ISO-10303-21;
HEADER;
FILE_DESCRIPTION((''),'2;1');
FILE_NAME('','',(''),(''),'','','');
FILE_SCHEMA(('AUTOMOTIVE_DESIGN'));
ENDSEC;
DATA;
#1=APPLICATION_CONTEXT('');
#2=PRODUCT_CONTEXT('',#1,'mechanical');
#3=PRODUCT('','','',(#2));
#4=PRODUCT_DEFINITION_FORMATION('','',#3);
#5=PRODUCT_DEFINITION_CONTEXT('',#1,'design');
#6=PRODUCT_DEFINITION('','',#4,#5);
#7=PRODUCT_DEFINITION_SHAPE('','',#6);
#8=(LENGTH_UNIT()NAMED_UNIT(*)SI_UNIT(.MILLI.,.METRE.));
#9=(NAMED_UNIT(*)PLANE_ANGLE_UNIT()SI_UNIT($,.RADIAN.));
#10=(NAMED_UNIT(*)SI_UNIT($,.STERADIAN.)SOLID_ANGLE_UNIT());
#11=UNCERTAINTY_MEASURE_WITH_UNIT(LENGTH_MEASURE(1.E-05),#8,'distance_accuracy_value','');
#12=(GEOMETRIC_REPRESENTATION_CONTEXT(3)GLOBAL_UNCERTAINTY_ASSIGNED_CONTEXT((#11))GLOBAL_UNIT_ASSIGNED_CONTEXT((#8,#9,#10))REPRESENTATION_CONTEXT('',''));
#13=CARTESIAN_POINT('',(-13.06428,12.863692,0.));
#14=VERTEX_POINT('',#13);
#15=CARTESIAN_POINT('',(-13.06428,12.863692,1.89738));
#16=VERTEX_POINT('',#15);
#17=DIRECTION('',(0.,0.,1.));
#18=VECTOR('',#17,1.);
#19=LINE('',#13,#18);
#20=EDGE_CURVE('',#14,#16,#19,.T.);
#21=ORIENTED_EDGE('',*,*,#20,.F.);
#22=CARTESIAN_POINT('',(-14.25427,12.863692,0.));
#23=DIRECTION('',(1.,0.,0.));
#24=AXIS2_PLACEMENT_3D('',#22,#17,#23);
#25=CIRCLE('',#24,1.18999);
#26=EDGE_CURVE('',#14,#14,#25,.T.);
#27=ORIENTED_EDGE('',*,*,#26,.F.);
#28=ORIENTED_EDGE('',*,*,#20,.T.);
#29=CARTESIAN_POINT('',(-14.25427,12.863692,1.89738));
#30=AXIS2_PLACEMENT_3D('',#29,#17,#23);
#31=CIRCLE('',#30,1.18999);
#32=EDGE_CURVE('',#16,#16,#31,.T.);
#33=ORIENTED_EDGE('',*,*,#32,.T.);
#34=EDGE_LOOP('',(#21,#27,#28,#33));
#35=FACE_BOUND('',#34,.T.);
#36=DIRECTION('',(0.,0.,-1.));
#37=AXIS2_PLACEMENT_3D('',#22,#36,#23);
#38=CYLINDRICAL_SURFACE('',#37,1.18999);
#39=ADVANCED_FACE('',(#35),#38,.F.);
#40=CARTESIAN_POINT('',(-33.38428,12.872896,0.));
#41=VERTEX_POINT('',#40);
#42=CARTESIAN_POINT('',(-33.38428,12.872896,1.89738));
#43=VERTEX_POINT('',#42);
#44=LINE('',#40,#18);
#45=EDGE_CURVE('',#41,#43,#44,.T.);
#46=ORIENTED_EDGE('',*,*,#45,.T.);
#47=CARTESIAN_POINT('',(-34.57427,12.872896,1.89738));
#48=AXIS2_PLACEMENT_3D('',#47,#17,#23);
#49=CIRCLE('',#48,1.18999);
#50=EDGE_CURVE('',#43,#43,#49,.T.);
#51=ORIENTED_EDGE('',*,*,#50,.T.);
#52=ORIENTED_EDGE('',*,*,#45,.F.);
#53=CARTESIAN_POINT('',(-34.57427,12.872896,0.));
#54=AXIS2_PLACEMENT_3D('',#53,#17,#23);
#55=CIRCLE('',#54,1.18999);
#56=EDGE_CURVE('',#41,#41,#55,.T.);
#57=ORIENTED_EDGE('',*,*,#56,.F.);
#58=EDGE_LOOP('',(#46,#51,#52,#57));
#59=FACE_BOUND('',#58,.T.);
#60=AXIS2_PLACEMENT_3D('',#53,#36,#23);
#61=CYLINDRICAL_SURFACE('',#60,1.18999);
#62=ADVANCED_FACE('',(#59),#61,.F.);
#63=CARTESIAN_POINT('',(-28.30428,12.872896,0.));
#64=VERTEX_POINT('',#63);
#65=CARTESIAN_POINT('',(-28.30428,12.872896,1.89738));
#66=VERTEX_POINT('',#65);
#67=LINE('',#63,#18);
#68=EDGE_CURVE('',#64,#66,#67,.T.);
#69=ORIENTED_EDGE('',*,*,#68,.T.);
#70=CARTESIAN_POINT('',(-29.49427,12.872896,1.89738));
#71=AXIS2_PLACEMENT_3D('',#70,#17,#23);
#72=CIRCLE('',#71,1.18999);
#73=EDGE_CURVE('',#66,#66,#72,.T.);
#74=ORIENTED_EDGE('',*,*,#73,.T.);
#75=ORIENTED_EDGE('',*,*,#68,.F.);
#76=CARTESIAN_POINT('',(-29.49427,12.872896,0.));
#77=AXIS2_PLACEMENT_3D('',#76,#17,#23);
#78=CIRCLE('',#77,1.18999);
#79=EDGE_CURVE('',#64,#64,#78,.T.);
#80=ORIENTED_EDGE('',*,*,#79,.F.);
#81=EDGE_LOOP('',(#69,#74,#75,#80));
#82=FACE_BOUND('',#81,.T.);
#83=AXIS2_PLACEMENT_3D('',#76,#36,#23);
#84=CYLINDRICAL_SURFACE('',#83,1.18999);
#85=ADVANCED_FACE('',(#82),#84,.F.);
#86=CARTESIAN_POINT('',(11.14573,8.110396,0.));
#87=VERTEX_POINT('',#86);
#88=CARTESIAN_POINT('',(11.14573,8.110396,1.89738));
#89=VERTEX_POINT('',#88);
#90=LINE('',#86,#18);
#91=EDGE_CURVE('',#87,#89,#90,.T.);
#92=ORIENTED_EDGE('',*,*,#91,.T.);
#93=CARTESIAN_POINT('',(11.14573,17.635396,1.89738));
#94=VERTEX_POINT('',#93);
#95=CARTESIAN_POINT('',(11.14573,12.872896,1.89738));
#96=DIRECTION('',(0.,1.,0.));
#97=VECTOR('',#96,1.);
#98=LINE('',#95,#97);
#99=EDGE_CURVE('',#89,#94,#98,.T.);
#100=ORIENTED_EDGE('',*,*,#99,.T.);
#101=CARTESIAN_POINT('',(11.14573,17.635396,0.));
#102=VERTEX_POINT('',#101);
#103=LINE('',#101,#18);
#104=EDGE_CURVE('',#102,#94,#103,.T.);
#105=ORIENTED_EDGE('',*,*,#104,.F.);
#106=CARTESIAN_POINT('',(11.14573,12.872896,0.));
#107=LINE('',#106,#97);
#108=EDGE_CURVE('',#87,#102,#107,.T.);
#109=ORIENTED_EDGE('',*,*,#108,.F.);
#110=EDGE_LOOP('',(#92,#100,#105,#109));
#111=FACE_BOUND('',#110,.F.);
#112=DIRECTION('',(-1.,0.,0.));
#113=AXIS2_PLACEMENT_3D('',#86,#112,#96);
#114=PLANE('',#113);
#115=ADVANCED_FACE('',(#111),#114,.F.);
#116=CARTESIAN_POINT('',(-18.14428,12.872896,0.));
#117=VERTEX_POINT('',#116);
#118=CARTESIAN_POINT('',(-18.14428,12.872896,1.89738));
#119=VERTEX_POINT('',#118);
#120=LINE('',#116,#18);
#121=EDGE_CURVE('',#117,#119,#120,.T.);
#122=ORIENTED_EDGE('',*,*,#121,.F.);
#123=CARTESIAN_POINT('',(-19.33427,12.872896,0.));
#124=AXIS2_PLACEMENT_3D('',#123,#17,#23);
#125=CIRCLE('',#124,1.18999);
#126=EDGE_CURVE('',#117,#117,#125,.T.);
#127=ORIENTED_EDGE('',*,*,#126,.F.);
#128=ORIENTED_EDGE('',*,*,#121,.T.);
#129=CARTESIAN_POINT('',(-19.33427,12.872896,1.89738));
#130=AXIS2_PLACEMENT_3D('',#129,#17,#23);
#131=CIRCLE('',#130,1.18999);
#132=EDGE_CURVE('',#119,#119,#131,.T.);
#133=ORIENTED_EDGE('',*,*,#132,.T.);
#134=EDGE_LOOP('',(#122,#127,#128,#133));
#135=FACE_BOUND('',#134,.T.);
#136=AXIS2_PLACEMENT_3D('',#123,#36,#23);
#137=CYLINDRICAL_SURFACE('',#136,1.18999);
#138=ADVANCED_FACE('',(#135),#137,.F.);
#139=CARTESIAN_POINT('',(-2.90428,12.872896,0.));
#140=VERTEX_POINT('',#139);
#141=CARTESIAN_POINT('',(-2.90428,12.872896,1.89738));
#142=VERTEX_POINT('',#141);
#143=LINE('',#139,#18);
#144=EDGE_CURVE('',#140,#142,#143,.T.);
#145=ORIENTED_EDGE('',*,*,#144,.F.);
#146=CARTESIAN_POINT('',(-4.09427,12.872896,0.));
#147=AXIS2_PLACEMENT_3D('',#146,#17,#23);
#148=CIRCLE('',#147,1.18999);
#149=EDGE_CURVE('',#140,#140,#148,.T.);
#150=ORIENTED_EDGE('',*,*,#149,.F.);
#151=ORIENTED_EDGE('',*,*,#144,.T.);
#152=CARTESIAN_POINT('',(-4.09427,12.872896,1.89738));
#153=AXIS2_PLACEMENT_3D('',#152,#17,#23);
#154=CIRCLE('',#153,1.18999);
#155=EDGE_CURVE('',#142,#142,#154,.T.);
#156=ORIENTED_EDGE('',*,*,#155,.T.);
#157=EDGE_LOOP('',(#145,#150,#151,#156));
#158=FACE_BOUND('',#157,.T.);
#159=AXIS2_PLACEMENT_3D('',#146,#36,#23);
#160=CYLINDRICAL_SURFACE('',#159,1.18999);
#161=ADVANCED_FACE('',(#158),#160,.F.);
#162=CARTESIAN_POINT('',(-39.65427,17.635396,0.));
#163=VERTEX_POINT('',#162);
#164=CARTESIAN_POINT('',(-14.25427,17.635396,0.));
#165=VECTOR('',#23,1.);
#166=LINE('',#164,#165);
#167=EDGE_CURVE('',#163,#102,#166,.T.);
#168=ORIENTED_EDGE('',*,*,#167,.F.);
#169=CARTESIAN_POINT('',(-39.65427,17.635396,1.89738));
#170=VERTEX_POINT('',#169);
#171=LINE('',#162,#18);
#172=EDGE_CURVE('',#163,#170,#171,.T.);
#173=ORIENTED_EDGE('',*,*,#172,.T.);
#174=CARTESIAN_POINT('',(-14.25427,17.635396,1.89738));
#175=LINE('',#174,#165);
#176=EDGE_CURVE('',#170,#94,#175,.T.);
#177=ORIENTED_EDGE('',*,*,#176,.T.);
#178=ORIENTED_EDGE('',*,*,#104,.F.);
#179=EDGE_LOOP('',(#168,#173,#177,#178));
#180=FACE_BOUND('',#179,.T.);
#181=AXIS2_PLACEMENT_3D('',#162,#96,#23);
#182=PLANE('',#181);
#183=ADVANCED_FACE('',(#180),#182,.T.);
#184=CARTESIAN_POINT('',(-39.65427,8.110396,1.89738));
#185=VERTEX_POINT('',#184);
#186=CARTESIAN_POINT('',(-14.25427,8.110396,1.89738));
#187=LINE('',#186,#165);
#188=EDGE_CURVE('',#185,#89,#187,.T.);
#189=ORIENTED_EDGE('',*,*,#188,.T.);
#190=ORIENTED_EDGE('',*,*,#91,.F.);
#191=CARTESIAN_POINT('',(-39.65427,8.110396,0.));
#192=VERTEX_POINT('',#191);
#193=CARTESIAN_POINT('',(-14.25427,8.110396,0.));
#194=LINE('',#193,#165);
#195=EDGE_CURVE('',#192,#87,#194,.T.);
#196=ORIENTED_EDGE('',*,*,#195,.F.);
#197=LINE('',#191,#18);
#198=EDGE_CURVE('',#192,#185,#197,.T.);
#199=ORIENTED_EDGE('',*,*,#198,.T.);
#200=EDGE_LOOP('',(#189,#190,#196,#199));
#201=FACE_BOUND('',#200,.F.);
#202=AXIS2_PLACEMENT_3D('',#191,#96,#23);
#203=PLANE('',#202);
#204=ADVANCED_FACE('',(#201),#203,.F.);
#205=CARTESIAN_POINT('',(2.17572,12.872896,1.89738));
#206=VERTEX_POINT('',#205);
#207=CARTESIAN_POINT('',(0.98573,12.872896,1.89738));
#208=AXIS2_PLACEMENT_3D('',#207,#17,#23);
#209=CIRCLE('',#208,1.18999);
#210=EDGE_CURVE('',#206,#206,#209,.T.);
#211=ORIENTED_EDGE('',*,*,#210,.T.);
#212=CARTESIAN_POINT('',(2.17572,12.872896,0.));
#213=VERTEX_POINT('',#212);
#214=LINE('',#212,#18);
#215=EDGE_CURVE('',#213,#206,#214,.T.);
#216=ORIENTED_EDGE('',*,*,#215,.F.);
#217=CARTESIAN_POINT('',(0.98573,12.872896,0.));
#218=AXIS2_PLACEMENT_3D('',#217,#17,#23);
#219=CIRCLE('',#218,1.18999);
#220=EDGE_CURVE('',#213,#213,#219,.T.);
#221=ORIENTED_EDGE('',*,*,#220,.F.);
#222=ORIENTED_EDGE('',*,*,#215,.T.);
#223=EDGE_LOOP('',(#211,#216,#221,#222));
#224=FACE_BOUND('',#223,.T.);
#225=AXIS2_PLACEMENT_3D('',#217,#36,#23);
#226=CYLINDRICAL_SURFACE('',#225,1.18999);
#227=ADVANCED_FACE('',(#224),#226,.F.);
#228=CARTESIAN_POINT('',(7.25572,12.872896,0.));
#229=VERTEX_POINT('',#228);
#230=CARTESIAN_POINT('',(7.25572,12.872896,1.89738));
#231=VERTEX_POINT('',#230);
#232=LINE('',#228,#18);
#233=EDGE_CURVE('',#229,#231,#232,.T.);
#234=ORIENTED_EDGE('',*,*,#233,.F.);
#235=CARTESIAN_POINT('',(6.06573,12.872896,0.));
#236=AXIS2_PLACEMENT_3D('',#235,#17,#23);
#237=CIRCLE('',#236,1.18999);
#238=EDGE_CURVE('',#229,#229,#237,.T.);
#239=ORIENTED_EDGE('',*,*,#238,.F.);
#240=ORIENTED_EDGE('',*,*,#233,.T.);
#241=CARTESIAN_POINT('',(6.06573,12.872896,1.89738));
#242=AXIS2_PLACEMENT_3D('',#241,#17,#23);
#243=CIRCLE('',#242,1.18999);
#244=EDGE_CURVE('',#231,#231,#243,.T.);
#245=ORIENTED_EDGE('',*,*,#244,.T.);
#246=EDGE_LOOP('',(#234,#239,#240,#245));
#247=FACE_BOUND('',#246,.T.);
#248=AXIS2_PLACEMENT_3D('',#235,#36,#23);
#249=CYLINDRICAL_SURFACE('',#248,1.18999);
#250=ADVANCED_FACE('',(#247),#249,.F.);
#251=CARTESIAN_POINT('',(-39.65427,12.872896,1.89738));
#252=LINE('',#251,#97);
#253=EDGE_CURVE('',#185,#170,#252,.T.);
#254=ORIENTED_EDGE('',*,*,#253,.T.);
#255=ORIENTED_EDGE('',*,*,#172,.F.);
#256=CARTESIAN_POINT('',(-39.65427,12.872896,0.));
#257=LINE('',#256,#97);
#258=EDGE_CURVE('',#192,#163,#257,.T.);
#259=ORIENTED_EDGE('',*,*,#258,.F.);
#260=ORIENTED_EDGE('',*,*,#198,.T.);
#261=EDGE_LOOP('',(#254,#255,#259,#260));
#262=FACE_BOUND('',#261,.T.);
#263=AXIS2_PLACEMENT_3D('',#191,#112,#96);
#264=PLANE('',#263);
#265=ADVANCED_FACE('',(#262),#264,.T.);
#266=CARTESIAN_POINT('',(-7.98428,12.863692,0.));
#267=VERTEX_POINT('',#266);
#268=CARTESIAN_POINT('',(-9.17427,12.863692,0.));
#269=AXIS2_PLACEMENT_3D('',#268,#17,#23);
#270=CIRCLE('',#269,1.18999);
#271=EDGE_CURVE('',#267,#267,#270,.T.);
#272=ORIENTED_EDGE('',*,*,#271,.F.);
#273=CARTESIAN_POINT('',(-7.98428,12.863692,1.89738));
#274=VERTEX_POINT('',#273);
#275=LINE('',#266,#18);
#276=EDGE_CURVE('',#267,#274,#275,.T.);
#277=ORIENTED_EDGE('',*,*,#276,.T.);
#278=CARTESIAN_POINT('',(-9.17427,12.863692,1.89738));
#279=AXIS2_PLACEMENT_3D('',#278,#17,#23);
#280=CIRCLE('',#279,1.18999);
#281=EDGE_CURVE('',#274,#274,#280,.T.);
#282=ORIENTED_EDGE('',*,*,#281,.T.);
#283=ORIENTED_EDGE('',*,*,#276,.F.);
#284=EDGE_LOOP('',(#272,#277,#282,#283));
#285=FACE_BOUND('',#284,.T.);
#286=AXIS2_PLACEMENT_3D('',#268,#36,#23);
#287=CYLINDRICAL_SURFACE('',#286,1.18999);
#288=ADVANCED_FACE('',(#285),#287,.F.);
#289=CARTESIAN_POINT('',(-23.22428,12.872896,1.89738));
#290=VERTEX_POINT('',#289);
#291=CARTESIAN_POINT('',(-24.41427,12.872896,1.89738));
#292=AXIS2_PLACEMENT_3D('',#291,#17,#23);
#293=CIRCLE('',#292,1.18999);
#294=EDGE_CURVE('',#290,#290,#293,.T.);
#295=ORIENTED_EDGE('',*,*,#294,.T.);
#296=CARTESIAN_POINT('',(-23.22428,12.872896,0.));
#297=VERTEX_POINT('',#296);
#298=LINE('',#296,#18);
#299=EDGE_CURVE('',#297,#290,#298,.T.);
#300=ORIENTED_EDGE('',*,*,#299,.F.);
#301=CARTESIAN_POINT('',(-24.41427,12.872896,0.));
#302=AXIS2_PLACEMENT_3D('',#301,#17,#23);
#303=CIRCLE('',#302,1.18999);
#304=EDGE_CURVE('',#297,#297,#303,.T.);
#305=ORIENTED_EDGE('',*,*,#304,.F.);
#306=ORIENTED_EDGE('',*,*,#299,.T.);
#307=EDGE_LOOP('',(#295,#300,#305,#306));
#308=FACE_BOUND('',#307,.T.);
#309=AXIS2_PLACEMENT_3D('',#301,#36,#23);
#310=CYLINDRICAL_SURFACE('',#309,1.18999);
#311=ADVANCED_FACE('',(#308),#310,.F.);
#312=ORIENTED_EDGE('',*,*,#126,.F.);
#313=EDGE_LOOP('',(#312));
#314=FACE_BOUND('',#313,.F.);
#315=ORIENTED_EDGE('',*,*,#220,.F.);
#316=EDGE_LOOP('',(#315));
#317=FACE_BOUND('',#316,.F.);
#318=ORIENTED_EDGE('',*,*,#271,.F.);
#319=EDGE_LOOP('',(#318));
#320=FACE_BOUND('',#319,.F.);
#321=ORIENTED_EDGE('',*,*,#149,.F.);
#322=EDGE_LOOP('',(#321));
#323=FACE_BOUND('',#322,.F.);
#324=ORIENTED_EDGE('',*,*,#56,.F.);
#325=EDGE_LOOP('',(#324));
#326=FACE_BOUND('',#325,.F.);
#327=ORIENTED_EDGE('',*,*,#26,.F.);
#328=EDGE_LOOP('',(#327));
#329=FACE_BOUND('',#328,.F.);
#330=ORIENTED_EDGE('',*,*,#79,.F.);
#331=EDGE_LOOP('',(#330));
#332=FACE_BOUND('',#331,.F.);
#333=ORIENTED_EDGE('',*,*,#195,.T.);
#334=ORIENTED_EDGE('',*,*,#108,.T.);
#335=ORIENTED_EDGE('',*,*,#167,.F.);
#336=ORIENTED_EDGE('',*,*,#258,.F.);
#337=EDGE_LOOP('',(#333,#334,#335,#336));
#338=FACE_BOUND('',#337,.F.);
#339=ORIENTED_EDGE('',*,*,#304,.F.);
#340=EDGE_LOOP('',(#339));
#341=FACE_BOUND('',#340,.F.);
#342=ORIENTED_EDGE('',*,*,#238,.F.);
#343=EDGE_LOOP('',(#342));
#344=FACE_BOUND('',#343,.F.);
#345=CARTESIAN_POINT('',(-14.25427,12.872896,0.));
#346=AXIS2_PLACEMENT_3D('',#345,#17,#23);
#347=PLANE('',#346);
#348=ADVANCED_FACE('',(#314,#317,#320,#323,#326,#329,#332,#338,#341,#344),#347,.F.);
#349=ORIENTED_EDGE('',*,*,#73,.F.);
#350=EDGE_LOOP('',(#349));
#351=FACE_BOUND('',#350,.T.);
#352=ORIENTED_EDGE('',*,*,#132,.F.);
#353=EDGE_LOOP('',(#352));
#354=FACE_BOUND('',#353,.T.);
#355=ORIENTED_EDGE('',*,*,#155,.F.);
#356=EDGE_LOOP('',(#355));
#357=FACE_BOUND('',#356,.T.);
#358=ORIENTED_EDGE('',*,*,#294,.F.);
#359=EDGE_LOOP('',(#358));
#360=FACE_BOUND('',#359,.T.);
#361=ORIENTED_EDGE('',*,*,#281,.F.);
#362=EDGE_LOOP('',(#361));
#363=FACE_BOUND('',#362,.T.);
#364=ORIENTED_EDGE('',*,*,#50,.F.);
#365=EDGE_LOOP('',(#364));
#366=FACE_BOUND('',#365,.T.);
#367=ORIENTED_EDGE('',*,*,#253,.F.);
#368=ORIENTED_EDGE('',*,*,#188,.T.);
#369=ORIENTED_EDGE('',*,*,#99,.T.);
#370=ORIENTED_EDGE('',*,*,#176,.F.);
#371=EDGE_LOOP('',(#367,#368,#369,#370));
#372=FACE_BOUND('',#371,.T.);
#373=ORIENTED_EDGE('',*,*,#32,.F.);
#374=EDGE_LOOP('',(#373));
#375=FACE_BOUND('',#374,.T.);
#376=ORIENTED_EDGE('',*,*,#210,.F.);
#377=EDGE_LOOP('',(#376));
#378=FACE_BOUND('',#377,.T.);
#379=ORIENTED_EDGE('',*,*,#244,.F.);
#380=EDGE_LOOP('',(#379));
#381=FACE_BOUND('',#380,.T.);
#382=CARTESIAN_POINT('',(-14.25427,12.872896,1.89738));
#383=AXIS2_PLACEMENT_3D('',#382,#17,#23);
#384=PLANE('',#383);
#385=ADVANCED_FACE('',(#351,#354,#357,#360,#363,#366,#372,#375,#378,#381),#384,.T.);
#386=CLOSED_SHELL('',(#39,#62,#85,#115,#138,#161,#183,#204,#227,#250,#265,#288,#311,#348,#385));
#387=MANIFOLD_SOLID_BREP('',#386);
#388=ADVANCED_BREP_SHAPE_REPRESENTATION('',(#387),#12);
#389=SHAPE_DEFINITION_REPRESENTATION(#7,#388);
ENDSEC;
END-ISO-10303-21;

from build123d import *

# Parameters (mm, degrees)
F0_W     = 50.8
F0_H     = 9.525
F0_R     = 1.18999
F1_DEPTH = 1.89738


with BuildPart() as f1:
    # F0 (on Top) → F1 (new body)
    with BuildSketch(Plane.XY):
        with Locations((-14.25427, 12.872896)):
            Rectangle(F0_W, F0_H)
        with Locations((-14.25427, 12.863692)):
            Circle(F0_R, mode=Mode.SUBTRACT)
        with Locations((-9.17427, 12.863692)):
            Circle(F0_R, mode=Mode.SUBTRACT)
        with Locations((-34.57427, 12.872896)):
            Circle(F0_R, mode=Mode.SUBTRACT)
        with Locations((-29.49427, 12.872896)):
            Circle(F0_R, mode=Mode.SUBTRACT)
        with Locations((-24.41427, 12.872896)):
            Circle(F0_R, mode=Mode.SUBTRACT)
        with Locations((-19.33427, 12.872896)):
            Circle(F0_R, mode=Mode.SUBTRACT)
        with Locations((-4.09427, 12.872896)):
            Circle(F0_R, mode=Mode.SUBTRACT)
        with Locations((0.98573, 12.872896)):
            Circle(F0_R, mode=Mode.SUBTRACT)
        with Locations((6.06573, 12.872896)):
            Circle(F0_R, mode=Mode.SUBTRACT)
    extrude(amount=F1_DEPTH)


solid = f1.part
